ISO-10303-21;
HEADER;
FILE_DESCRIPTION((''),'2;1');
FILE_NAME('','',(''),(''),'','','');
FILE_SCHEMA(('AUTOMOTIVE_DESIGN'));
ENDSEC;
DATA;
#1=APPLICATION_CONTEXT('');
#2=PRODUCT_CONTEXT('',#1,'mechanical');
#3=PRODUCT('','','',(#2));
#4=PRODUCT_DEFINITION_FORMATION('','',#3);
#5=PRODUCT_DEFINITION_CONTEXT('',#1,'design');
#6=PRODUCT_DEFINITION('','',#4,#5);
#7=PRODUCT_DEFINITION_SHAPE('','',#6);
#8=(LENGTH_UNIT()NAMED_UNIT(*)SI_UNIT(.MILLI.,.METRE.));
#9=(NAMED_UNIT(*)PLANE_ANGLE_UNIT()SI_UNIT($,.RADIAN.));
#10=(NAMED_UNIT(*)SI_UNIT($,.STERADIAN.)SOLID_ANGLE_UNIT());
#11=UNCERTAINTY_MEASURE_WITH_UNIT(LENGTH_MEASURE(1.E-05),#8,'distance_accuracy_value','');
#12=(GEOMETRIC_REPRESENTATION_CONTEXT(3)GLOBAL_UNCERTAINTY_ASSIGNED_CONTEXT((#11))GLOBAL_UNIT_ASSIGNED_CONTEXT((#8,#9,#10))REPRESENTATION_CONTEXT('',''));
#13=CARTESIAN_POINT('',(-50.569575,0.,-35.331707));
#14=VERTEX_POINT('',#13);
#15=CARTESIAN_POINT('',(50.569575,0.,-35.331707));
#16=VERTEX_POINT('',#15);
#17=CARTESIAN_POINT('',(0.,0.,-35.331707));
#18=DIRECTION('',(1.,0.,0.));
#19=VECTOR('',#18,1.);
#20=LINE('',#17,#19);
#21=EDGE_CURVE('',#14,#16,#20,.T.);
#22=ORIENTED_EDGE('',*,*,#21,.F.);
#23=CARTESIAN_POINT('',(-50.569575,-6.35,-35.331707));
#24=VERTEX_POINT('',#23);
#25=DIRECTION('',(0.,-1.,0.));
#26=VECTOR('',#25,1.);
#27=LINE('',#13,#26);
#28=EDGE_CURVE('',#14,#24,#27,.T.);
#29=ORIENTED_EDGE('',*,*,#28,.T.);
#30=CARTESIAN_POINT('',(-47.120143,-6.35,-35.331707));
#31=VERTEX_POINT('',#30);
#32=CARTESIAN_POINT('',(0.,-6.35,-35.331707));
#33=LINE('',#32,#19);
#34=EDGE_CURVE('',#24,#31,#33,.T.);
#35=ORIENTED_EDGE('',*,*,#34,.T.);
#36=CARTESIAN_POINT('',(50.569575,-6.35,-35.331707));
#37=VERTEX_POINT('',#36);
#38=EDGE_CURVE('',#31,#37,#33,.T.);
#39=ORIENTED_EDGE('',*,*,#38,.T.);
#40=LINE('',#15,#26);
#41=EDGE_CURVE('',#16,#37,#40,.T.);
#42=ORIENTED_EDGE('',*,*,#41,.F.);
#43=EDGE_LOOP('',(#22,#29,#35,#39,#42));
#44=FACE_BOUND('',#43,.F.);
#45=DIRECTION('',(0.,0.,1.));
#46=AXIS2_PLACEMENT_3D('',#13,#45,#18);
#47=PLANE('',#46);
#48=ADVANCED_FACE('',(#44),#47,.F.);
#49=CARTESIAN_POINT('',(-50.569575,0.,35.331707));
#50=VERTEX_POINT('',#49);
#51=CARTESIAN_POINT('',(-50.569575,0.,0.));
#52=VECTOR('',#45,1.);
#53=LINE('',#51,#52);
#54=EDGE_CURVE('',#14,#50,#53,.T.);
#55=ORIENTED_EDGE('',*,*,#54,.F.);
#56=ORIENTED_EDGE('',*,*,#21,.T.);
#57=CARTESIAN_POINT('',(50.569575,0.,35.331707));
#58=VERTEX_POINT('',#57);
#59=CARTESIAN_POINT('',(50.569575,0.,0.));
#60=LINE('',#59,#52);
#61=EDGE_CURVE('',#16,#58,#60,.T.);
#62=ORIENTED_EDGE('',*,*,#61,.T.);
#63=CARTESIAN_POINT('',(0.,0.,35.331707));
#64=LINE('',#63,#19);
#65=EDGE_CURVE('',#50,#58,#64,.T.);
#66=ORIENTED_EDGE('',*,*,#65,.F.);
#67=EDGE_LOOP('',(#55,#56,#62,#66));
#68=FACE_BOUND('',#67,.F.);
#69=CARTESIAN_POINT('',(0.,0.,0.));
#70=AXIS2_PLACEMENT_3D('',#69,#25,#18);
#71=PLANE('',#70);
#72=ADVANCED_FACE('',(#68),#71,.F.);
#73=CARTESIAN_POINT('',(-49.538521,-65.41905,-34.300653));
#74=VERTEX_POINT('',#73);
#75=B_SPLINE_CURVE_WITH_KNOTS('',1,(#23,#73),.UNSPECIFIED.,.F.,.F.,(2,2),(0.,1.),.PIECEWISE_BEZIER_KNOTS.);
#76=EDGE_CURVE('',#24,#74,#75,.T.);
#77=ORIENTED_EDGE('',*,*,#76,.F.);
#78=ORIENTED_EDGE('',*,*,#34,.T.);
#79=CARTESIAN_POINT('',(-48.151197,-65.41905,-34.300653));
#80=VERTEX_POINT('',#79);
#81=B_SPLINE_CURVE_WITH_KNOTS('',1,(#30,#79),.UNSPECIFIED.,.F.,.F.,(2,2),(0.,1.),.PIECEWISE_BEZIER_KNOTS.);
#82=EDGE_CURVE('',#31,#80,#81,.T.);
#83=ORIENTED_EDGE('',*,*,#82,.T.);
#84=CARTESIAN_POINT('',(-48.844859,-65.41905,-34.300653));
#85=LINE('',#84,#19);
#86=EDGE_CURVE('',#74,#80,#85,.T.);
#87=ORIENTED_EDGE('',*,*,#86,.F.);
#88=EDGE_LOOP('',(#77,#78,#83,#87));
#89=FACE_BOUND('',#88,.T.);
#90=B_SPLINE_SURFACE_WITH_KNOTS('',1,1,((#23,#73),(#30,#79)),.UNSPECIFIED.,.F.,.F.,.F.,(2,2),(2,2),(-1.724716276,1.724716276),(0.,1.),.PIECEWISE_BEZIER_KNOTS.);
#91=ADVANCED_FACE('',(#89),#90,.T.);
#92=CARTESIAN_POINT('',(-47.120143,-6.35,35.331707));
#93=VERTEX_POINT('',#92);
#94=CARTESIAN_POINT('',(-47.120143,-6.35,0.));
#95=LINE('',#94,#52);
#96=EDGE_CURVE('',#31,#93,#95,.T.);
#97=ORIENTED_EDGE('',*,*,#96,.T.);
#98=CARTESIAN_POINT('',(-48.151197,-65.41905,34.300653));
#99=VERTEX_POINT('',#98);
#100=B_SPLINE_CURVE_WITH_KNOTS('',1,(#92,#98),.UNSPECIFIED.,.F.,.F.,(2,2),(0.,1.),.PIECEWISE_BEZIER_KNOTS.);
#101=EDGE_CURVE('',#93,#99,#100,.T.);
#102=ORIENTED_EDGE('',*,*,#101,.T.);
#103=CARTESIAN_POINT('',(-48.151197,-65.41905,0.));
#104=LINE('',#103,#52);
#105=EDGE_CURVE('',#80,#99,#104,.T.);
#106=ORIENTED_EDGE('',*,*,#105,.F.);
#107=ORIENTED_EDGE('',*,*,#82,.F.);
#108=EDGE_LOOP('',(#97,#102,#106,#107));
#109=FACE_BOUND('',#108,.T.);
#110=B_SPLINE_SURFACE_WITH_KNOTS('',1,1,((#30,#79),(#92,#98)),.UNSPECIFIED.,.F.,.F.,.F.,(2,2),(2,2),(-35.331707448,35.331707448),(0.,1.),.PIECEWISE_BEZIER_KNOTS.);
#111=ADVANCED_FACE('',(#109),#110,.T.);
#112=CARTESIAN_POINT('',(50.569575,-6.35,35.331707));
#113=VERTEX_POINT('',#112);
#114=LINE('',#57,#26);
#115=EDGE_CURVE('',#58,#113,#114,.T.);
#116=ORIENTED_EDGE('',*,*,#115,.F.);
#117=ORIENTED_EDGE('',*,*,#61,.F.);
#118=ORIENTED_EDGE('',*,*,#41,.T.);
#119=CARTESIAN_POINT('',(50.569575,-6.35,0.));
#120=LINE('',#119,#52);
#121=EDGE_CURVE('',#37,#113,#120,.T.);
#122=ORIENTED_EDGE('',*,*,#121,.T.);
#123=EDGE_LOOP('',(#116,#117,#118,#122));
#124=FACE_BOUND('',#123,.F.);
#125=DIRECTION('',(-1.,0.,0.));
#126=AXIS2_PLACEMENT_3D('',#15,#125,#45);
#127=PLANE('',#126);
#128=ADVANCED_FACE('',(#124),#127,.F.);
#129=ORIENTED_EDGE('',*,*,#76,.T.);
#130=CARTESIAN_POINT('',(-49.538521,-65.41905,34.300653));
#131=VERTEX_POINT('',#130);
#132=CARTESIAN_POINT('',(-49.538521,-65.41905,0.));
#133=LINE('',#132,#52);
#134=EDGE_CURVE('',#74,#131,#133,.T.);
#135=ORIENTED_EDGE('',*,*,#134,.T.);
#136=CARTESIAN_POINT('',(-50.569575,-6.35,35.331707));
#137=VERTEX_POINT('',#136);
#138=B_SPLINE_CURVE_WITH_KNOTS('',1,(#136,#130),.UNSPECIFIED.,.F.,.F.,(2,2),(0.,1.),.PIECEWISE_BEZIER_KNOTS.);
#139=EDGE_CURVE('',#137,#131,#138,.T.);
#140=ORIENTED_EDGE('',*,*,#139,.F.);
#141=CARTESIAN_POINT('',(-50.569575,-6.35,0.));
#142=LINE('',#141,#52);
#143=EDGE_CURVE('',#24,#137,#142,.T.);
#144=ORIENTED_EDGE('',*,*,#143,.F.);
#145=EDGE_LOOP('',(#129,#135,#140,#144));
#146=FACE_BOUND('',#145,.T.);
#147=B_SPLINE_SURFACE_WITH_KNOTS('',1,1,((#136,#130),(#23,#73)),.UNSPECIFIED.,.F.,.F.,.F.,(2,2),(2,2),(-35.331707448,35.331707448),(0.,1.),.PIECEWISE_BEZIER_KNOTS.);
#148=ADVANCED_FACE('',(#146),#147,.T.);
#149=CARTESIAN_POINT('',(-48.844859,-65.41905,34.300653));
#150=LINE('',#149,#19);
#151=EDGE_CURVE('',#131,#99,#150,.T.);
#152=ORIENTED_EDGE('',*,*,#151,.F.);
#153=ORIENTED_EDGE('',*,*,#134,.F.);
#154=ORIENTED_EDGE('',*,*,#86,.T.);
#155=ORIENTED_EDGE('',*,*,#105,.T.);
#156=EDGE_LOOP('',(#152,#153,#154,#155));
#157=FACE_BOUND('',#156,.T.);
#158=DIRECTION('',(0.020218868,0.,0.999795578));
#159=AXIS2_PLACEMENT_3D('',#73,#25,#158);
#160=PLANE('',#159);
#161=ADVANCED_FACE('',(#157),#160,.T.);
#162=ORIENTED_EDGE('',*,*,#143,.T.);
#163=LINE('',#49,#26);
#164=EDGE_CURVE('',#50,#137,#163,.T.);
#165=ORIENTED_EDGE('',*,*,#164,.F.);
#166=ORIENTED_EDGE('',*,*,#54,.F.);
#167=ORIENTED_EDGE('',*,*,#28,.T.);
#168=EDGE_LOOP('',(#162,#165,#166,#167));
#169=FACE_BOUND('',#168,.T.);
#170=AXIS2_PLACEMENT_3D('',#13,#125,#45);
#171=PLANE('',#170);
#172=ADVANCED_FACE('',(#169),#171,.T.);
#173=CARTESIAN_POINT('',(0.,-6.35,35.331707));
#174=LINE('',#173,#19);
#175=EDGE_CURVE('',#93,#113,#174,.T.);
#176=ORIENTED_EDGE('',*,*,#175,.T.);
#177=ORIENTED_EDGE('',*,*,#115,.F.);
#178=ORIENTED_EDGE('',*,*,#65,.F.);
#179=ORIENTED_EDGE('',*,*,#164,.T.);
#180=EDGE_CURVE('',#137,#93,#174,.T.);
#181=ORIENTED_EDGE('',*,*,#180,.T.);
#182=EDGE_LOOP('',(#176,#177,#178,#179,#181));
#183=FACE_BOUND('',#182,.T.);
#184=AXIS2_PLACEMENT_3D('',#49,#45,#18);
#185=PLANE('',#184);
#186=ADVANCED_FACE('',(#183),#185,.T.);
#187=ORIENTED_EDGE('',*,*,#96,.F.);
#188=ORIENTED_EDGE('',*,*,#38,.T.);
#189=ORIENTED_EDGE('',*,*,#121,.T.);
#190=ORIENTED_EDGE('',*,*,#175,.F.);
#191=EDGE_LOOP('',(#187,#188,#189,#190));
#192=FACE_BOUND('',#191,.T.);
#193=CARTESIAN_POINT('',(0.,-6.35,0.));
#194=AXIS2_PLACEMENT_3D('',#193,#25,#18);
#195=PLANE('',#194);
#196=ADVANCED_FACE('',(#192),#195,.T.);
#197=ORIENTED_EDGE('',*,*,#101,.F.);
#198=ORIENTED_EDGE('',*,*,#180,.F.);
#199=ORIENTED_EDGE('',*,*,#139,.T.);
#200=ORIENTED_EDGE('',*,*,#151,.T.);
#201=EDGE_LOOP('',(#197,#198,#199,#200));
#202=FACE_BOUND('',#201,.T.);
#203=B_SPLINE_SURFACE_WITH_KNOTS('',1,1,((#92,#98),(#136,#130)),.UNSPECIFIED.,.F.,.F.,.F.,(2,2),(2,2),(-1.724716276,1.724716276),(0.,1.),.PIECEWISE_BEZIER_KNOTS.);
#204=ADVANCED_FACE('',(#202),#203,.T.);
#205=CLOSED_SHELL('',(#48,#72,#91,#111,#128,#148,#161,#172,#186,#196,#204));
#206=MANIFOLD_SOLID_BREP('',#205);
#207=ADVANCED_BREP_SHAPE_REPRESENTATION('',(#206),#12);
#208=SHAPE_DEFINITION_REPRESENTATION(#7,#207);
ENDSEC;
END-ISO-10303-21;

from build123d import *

# Parameters (mm, degrees)
F0_W     = 101.1391505599
F0_H     = 70.6634148955
F1_DEPTH = 6.35
F2_W     = 3.4494325519
F2_H     = 70.6634148955
F3_DEPTH = 59.06905
F3_TAPER = 1


with BuildPart() as f1:
    # F0 (on Front) → F1 (new body)
    with BuildSketch(Plane.XZ):
        Rectangle(F0_W, F0_H)
    extrude(amount=F1_DEPTH)

    # F2 (on face) → F3 (join)
    with BuildSketch(Plane.XZ.offset(6.35)):
        with Locations((-48.844859004, 0)):
            Rectangle(F2_W, F2_H)
    extrude(amount=F3_DEPTH, taper=F3_TAPER)


solid = f1.part
